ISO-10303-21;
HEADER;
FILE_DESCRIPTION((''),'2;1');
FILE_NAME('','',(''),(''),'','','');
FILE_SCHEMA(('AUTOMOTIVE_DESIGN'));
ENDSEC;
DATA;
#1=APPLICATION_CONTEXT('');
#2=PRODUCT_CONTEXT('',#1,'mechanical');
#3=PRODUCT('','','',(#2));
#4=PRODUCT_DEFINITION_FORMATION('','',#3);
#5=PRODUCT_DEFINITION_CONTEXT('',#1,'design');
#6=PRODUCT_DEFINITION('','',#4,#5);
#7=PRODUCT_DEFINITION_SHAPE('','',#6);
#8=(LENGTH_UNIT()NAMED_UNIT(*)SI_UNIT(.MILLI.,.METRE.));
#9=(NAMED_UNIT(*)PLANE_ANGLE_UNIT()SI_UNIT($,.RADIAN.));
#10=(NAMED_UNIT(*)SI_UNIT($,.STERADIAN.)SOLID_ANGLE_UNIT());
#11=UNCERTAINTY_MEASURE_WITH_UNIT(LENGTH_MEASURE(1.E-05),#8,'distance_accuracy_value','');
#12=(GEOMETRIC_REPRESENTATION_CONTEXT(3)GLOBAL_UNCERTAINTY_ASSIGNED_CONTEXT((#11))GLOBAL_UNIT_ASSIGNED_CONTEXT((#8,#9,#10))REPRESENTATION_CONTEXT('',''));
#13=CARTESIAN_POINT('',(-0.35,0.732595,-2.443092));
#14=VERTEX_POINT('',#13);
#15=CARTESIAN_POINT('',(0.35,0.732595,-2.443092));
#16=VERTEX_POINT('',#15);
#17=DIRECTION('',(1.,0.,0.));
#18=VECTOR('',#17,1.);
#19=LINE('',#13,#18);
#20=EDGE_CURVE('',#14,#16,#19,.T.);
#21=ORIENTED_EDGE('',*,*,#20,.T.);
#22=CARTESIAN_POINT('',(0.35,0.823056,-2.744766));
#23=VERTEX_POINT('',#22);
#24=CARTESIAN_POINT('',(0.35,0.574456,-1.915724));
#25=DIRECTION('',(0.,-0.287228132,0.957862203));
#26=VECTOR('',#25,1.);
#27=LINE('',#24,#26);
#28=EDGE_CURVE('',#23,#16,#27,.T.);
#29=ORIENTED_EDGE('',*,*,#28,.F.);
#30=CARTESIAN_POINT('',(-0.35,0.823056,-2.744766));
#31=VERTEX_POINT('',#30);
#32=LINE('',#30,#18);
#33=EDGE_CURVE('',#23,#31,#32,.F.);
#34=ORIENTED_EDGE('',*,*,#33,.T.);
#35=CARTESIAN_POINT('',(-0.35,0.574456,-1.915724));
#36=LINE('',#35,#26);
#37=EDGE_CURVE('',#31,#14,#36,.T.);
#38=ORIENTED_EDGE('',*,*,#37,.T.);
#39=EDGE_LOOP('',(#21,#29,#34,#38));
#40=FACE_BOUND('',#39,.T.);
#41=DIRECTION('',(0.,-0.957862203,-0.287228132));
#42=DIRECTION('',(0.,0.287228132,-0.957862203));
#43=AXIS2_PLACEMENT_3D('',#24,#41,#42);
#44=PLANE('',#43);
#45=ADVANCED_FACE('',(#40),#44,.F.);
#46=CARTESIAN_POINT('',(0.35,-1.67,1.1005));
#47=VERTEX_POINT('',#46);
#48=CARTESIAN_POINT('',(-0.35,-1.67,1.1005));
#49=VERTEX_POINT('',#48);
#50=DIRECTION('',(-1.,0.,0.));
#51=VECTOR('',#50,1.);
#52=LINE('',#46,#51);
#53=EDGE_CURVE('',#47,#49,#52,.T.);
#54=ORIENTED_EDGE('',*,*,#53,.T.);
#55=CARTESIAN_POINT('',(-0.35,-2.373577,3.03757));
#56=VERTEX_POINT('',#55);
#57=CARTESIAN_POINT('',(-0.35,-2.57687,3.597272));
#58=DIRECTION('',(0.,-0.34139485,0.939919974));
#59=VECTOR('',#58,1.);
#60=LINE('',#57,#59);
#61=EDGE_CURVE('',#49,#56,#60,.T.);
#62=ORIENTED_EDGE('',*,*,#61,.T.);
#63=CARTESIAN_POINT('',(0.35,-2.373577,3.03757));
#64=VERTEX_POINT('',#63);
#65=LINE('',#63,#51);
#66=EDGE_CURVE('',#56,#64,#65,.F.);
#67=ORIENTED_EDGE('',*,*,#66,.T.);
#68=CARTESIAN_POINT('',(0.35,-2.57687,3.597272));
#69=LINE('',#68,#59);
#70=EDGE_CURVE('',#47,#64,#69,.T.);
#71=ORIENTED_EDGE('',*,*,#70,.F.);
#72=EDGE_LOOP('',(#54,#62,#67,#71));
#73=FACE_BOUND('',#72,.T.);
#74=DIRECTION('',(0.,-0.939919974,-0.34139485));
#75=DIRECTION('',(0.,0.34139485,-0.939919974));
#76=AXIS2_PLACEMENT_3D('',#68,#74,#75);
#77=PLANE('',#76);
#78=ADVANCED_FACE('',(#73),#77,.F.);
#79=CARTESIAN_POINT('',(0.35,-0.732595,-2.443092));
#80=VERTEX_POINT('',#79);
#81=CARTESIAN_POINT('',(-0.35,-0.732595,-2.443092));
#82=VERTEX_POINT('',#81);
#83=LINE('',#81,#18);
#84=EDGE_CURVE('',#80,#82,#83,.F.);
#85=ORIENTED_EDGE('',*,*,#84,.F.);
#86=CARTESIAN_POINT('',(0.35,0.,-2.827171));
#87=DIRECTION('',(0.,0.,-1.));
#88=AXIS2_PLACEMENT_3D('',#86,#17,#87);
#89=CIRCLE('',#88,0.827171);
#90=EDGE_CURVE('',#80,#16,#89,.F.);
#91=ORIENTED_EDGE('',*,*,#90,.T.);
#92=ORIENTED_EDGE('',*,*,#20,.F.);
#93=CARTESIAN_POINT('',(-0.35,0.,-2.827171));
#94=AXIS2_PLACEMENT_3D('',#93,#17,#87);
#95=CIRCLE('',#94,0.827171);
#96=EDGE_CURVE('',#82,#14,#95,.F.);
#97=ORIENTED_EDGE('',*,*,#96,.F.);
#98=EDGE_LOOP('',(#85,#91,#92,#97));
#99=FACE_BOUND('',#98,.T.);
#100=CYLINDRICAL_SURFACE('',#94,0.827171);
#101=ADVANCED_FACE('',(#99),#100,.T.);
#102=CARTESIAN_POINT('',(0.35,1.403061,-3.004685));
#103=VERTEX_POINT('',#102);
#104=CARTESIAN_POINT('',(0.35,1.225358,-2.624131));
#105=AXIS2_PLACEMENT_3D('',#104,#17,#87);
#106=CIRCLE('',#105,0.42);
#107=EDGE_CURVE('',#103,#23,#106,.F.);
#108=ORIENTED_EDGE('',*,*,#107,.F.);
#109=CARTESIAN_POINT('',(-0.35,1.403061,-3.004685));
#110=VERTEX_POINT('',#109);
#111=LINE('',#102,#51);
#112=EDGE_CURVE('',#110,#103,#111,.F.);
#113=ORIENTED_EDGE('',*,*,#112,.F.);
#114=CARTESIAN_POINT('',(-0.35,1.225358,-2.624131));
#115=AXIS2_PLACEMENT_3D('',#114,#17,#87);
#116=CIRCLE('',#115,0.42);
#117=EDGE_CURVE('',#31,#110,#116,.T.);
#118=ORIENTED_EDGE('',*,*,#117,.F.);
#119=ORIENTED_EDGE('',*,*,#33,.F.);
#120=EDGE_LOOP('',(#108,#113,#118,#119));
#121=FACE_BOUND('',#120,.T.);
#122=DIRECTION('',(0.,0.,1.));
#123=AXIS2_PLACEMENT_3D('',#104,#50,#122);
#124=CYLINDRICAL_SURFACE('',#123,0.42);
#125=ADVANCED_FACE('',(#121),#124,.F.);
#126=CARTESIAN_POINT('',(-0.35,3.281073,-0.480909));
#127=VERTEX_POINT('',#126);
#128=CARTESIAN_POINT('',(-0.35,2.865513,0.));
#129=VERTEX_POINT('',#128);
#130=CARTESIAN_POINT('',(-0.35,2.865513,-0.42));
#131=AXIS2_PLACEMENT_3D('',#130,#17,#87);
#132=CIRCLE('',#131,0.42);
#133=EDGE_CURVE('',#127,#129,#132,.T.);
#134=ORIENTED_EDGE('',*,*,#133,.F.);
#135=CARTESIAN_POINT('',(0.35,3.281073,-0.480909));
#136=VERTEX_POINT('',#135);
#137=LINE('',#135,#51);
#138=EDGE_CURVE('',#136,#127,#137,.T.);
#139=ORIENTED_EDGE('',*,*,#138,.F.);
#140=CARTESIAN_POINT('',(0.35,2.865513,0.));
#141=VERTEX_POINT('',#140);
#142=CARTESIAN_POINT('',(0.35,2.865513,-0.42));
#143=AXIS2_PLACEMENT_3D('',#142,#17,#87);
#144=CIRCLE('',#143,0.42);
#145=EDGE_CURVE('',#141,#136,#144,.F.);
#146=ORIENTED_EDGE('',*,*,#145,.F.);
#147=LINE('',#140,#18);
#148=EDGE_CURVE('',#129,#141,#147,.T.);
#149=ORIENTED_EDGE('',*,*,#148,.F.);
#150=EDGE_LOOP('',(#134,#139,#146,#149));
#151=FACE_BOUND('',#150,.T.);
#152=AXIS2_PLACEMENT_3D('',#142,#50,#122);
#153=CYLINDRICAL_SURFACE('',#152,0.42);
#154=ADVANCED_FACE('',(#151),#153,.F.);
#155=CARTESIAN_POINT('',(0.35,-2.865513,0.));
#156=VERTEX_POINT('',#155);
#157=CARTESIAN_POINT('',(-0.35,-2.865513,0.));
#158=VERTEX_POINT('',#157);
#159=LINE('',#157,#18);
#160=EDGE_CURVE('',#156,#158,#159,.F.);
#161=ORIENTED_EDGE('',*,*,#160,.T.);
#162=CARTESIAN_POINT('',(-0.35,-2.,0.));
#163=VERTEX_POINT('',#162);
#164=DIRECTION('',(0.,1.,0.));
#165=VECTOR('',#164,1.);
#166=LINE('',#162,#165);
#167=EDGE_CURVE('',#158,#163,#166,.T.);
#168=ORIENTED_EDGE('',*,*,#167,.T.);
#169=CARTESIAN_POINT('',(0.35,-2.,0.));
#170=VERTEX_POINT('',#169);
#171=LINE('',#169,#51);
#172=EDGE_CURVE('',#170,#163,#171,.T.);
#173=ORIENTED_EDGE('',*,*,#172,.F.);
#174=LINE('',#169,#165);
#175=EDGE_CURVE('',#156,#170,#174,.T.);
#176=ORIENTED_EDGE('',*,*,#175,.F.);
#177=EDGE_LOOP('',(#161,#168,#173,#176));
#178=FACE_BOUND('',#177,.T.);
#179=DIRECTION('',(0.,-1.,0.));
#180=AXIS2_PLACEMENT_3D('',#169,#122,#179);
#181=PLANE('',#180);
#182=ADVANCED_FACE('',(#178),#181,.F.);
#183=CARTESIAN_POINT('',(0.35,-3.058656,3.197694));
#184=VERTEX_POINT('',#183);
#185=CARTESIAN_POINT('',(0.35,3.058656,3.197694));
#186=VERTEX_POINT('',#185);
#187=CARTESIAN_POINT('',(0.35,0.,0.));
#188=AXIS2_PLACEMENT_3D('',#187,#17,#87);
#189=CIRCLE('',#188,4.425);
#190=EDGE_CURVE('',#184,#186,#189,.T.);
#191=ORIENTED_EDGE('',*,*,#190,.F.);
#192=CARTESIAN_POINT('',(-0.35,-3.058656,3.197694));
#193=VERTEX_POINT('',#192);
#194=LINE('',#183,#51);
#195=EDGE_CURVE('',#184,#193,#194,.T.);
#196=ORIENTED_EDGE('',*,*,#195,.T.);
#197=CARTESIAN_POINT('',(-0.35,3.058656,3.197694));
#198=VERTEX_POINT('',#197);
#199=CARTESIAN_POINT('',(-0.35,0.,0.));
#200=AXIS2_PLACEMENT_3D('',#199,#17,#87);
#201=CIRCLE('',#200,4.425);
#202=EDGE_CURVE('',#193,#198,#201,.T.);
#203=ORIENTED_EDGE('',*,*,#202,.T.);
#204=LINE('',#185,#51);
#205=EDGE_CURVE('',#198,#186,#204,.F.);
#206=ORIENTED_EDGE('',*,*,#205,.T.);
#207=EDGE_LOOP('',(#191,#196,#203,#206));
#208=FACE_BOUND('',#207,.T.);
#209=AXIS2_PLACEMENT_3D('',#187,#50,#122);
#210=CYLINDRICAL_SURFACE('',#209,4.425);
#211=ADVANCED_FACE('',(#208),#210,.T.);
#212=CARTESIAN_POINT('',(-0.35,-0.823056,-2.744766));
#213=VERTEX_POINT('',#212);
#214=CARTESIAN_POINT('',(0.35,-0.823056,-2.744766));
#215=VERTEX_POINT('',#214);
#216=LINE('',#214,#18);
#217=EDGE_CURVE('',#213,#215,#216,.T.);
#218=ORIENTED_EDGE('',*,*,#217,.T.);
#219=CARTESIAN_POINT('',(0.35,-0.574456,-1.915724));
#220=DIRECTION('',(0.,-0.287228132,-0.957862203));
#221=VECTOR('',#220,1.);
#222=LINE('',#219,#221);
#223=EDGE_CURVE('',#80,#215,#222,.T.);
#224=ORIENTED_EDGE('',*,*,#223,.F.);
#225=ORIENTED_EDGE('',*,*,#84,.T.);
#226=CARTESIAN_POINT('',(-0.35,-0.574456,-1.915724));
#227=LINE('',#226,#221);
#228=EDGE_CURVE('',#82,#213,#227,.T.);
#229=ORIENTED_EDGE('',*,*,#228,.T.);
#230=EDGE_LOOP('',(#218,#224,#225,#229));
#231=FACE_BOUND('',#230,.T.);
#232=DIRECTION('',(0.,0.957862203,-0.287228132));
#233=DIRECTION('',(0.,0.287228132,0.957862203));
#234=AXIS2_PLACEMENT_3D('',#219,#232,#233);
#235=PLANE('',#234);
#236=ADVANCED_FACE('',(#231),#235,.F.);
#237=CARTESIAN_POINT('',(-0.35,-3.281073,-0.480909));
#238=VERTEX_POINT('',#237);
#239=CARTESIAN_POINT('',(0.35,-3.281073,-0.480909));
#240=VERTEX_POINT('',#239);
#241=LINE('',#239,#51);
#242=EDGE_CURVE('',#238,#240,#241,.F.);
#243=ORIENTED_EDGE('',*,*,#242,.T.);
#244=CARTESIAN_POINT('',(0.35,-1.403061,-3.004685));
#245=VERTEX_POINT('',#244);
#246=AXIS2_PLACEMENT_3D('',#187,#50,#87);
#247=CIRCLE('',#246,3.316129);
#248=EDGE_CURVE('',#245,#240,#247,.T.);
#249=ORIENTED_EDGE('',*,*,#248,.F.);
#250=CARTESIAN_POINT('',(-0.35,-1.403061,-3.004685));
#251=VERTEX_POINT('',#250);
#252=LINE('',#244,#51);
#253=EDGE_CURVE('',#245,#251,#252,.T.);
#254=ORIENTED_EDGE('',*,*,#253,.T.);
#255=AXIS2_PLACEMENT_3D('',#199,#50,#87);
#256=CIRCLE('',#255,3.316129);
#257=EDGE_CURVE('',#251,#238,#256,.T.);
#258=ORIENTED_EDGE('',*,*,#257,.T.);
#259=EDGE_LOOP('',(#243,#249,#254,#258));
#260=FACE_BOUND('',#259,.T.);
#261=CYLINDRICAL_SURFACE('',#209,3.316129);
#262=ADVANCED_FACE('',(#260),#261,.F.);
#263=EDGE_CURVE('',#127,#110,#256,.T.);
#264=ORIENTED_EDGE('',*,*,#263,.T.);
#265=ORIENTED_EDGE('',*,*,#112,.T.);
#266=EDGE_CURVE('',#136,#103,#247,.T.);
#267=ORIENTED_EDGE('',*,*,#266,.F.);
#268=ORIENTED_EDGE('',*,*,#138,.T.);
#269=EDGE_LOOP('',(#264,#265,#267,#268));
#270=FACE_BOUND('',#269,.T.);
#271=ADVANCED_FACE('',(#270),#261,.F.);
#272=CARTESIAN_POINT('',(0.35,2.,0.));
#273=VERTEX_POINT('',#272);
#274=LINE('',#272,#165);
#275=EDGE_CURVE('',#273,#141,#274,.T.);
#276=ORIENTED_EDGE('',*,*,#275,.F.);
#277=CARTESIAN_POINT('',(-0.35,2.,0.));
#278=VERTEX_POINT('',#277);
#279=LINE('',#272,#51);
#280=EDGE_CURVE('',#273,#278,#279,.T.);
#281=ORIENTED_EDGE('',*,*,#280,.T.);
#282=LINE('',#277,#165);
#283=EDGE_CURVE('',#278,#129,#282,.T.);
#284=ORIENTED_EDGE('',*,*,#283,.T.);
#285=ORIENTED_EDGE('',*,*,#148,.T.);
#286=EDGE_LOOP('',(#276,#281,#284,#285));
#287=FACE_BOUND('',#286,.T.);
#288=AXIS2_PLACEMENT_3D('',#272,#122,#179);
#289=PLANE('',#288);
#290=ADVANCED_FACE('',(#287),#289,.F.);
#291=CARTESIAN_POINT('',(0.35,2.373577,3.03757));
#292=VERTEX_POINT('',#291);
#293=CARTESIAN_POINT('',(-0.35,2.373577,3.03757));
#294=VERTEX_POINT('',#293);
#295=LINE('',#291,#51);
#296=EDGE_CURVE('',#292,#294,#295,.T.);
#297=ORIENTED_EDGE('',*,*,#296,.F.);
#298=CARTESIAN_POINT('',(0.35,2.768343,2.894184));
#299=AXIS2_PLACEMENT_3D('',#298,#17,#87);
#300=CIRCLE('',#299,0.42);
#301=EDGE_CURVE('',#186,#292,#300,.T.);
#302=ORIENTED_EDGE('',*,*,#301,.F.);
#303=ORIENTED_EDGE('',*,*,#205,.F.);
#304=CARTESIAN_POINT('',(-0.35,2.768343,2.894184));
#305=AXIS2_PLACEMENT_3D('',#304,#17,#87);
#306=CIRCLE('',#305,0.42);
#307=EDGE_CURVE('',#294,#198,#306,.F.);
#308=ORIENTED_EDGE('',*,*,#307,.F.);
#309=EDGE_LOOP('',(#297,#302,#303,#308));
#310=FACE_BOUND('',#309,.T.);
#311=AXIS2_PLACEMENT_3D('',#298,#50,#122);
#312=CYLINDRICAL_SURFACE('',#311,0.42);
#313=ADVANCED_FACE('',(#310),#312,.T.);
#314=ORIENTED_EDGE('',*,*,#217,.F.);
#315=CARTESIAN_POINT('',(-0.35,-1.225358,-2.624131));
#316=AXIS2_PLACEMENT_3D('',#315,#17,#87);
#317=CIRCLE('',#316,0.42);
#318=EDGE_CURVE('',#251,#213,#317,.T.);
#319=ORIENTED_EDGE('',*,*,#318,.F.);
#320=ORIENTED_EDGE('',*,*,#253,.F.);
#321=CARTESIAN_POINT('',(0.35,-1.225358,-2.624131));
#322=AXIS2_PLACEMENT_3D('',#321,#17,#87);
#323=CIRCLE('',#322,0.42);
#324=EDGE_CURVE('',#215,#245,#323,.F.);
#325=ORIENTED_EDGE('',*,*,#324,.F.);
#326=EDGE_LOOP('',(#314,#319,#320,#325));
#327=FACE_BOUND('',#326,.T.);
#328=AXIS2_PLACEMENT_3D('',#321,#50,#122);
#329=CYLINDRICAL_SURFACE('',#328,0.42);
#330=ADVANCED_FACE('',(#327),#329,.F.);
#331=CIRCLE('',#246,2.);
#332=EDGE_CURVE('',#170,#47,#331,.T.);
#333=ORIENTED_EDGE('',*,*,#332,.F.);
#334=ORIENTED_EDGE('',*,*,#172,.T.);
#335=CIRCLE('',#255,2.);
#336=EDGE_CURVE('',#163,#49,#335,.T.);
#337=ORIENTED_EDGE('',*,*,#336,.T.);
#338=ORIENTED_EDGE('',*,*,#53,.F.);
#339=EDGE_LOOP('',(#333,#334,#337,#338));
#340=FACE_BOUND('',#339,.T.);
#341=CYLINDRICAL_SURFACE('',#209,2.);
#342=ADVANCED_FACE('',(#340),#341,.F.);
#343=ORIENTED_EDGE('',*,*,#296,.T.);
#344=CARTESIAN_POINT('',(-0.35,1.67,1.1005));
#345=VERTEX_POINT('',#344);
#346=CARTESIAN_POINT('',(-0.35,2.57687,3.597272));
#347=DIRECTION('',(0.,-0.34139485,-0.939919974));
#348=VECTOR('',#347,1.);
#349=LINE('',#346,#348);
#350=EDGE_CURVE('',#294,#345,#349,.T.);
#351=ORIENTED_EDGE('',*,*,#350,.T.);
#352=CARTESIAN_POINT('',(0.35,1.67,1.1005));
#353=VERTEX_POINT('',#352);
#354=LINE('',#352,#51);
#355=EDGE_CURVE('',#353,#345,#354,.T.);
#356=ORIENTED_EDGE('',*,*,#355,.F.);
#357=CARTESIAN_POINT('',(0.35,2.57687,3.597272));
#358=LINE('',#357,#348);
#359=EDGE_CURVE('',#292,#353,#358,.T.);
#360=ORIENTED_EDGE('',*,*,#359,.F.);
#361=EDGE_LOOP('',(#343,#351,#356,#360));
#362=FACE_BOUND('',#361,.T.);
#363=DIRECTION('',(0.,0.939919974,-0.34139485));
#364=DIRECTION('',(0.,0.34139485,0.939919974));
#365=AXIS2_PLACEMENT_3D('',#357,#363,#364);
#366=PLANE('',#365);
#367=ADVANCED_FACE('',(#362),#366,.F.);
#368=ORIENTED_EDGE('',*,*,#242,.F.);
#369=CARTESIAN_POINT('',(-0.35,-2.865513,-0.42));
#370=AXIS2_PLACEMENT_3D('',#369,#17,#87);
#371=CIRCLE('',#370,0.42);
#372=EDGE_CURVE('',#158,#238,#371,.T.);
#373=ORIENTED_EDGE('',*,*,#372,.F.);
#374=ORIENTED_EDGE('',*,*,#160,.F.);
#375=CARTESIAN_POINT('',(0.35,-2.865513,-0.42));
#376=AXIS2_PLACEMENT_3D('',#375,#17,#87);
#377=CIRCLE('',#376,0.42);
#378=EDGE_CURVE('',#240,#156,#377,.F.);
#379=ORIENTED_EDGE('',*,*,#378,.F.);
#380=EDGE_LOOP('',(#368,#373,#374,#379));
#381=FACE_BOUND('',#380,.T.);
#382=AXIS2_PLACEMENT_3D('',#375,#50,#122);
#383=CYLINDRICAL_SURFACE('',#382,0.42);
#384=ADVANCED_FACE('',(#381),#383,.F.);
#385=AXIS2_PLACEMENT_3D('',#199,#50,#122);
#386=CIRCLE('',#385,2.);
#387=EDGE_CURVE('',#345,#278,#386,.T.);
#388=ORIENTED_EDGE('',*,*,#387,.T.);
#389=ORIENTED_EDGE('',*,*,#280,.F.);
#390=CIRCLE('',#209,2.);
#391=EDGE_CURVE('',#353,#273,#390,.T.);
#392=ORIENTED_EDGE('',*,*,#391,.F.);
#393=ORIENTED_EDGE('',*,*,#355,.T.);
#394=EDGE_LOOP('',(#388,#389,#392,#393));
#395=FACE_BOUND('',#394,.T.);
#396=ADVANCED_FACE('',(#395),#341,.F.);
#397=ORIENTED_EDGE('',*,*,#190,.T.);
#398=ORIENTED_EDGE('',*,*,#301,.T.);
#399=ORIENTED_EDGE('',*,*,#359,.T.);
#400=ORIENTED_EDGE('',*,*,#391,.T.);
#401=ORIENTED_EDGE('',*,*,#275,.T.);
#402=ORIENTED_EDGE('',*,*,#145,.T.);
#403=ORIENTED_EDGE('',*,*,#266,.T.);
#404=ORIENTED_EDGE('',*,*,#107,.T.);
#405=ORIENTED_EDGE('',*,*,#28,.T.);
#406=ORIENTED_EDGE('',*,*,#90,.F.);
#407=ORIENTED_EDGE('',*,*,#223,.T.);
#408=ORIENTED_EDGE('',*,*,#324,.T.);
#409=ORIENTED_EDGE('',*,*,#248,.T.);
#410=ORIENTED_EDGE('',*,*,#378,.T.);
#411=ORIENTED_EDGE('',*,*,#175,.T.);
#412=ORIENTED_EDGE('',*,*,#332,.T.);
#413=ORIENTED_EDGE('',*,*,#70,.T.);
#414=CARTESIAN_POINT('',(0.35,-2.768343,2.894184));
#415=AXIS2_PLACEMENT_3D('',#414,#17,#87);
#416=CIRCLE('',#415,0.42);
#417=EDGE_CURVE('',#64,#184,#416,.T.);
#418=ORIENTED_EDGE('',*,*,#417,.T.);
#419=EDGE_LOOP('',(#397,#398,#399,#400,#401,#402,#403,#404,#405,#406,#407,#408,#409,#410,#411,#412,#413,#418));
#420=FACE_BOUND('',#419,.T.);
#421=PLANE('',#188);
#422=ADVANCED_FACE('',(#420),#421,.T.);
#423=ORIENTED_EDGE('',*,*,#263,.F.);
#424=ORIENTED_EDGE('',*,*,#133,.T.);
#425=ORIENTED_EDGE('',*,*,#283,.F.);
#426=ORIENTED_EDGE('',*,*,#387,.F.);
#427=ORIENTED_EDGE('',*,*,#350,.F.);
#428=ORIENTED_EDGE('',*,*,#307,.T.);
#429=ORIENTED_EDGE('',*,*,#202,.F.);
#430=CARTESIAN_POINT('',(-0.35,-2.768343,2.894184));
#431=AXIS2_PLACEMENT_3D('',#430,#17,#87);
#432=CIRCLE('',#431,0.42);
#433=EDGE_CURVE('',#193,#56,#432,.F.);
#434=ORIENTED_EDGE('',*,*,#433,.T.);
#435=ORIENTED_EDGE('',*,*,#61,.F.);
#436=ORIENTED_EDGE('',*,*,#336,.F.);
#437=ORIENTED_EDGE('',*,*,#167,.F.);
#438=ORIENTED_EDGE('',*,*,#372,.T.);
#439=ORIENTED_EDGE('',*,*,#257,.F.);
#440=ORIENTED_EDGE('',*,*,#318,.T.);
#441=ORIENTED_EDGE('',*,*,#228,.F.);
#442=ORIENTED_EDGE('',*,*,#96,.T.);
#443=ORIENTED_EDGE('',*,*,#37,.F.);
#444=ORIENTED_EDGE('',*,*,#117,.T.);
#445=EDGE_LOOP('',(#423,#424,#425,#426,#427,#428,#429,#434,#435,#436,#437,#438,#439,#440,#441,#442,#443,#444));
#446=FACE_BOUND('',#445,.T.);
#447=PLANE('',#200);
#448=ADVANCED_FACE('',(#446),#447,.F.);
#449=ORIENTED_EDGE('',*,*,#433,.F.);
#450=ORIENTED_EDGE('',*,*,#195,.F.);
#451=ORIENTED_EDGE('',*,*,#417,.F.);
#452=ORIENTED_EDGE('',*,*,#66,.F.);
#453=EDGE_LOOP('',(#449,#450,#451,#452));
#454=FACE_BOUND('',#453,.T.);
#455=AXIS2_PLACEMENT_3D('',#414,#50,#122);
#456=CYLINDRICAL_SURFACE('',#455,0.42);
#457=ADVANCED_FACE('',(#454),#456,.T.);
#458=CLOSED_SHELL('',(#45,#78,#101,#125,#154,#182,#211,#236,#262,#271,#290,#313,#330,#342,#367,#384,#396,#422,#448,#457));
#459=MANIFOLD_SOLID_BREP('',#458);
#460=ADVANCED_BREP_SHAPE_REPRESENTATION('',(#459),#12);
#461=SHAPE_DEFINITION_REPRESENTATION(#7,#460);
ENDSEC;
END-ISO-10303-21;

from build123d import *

# Parameters (mm, degrees)
EXTRUDE1_DEPTH          = 0.35
FILLET1_R               = 0.42
CUT_EXTRUDE1_DEPTH      = 7.267675008
CUT_EXTRUDE1_DEPTH_BACK = 7.267675008


with BuildPart() as part:
    # Sketch1 → Extrude1 (new, symmetric)
    with BuildSketch(Plane(origin=(0, 0, 0), x_dir=(0, 0, -1), z_dir=(1, 0, 0))):
        with BuildLine():
            Line((-3.59727207, -2.576869934), (-1.100499886, -1.67))
            ThreePointArc((-1.100499886, -1.67), (-0.574456265, -1.915724406), (0, -2))
            Line((0, -2), (0, -3.316129032))
            ThreePointArc((0, -3.316129032), (1.979664969, -2.660383125), (3.17639466, -0.952485548))
            Line((3.17639466, -0.952485548), (1.915724406, -0.574456265))
            ThreePointArc((1.915724406, -0.574456265), (2, 0), (1.915724406, 0.574456265))
            Line((1.915724406, 0.574456265), (3.17639466, 0.952485548))
            ThreePointArc((3.17639466, 0.952485548), (1.979664969, 2.660383125), (0, 3.316129032))
            Line((0, 3.316129032), (0, 2))
            ThreePointArc((0, 2), (-0.574456265, 1.915724406), (-1.100499886, 1.67))
            Line((-1.100499886, 1.67), (-3.59727207, 2.576869934))
            ThreePointArc((-3.59727207, 2.576869934), (4.425, 0), (-3.59727207, -2.576869934))
        make_face()
    extrude(amount=EXTRUDE1_DEPTH, both=True)

    # Fillet1
    fillet1_edges = [part.edges().sort_by_distance(p)[0] for p in [
        (0, -3.316129032, 0),
        (0, 3.316129032, 0),
        (0, -2.576869934, 3.59727207),
        (0, 2.576869934, 3.59727207),
        (0, -0.952485548, -3.17639466),
        (0, 0.952485548, -3.17639466),
    ]]
    fillet(fillet1_edges, radius=FILLET1_R)

    # Sketch4 → Cut-Extrude1 (cut, two sides: drawn at the far end of the back side and taken through both)
    with BuildSketch(Plane(origin=(0, 0, 0), x_dir=(0, 0, -1), z_dir=(1, 0, 0)).offset(-CUT_EXTRUDE1_DEPTH_BACK)):
        with BuildLine():
            ThreePointArc((0.480908888, 3.281072751), (0.145392765, 3.183303361), (0, 2.865512759))
            Line((0, 2.865512759), (0, -2.865512759))
            ThreePointArc((0, -2.865512759), (0.145392765, -3.183303361), (0.480908888, -3.281072751))
            ThreePointArc((0.480908888, -3.281072751), (1.979664969, -2.660383125), (3.004685012, -1.403060846))
            ThreePointArc((3.004685012, -1.403060846), (3.007405078, -1.053600513), (2.744766364, -0.823055878))
            ThreePointArc((2.744766364, -0.823055878), (2, 0), (2.744766364, 0.823055878))
            ThreePointArc((2.744766364, 0.823055878), (3.007405078, 1.053600513), (3.004685012, 1.403060846))
            ThreePointArc((3.004685012, 1.403060846), (1.979664969, 2.660383125), (0.480908888, 3.281072751))
        make_face()
    extrude(amount=CUT_EXTRUDE1_DEPTH + CUT_EXTRUDE1_DEPTH_BACK, mode=Mode.SUBTRACT)


solid = part.part
